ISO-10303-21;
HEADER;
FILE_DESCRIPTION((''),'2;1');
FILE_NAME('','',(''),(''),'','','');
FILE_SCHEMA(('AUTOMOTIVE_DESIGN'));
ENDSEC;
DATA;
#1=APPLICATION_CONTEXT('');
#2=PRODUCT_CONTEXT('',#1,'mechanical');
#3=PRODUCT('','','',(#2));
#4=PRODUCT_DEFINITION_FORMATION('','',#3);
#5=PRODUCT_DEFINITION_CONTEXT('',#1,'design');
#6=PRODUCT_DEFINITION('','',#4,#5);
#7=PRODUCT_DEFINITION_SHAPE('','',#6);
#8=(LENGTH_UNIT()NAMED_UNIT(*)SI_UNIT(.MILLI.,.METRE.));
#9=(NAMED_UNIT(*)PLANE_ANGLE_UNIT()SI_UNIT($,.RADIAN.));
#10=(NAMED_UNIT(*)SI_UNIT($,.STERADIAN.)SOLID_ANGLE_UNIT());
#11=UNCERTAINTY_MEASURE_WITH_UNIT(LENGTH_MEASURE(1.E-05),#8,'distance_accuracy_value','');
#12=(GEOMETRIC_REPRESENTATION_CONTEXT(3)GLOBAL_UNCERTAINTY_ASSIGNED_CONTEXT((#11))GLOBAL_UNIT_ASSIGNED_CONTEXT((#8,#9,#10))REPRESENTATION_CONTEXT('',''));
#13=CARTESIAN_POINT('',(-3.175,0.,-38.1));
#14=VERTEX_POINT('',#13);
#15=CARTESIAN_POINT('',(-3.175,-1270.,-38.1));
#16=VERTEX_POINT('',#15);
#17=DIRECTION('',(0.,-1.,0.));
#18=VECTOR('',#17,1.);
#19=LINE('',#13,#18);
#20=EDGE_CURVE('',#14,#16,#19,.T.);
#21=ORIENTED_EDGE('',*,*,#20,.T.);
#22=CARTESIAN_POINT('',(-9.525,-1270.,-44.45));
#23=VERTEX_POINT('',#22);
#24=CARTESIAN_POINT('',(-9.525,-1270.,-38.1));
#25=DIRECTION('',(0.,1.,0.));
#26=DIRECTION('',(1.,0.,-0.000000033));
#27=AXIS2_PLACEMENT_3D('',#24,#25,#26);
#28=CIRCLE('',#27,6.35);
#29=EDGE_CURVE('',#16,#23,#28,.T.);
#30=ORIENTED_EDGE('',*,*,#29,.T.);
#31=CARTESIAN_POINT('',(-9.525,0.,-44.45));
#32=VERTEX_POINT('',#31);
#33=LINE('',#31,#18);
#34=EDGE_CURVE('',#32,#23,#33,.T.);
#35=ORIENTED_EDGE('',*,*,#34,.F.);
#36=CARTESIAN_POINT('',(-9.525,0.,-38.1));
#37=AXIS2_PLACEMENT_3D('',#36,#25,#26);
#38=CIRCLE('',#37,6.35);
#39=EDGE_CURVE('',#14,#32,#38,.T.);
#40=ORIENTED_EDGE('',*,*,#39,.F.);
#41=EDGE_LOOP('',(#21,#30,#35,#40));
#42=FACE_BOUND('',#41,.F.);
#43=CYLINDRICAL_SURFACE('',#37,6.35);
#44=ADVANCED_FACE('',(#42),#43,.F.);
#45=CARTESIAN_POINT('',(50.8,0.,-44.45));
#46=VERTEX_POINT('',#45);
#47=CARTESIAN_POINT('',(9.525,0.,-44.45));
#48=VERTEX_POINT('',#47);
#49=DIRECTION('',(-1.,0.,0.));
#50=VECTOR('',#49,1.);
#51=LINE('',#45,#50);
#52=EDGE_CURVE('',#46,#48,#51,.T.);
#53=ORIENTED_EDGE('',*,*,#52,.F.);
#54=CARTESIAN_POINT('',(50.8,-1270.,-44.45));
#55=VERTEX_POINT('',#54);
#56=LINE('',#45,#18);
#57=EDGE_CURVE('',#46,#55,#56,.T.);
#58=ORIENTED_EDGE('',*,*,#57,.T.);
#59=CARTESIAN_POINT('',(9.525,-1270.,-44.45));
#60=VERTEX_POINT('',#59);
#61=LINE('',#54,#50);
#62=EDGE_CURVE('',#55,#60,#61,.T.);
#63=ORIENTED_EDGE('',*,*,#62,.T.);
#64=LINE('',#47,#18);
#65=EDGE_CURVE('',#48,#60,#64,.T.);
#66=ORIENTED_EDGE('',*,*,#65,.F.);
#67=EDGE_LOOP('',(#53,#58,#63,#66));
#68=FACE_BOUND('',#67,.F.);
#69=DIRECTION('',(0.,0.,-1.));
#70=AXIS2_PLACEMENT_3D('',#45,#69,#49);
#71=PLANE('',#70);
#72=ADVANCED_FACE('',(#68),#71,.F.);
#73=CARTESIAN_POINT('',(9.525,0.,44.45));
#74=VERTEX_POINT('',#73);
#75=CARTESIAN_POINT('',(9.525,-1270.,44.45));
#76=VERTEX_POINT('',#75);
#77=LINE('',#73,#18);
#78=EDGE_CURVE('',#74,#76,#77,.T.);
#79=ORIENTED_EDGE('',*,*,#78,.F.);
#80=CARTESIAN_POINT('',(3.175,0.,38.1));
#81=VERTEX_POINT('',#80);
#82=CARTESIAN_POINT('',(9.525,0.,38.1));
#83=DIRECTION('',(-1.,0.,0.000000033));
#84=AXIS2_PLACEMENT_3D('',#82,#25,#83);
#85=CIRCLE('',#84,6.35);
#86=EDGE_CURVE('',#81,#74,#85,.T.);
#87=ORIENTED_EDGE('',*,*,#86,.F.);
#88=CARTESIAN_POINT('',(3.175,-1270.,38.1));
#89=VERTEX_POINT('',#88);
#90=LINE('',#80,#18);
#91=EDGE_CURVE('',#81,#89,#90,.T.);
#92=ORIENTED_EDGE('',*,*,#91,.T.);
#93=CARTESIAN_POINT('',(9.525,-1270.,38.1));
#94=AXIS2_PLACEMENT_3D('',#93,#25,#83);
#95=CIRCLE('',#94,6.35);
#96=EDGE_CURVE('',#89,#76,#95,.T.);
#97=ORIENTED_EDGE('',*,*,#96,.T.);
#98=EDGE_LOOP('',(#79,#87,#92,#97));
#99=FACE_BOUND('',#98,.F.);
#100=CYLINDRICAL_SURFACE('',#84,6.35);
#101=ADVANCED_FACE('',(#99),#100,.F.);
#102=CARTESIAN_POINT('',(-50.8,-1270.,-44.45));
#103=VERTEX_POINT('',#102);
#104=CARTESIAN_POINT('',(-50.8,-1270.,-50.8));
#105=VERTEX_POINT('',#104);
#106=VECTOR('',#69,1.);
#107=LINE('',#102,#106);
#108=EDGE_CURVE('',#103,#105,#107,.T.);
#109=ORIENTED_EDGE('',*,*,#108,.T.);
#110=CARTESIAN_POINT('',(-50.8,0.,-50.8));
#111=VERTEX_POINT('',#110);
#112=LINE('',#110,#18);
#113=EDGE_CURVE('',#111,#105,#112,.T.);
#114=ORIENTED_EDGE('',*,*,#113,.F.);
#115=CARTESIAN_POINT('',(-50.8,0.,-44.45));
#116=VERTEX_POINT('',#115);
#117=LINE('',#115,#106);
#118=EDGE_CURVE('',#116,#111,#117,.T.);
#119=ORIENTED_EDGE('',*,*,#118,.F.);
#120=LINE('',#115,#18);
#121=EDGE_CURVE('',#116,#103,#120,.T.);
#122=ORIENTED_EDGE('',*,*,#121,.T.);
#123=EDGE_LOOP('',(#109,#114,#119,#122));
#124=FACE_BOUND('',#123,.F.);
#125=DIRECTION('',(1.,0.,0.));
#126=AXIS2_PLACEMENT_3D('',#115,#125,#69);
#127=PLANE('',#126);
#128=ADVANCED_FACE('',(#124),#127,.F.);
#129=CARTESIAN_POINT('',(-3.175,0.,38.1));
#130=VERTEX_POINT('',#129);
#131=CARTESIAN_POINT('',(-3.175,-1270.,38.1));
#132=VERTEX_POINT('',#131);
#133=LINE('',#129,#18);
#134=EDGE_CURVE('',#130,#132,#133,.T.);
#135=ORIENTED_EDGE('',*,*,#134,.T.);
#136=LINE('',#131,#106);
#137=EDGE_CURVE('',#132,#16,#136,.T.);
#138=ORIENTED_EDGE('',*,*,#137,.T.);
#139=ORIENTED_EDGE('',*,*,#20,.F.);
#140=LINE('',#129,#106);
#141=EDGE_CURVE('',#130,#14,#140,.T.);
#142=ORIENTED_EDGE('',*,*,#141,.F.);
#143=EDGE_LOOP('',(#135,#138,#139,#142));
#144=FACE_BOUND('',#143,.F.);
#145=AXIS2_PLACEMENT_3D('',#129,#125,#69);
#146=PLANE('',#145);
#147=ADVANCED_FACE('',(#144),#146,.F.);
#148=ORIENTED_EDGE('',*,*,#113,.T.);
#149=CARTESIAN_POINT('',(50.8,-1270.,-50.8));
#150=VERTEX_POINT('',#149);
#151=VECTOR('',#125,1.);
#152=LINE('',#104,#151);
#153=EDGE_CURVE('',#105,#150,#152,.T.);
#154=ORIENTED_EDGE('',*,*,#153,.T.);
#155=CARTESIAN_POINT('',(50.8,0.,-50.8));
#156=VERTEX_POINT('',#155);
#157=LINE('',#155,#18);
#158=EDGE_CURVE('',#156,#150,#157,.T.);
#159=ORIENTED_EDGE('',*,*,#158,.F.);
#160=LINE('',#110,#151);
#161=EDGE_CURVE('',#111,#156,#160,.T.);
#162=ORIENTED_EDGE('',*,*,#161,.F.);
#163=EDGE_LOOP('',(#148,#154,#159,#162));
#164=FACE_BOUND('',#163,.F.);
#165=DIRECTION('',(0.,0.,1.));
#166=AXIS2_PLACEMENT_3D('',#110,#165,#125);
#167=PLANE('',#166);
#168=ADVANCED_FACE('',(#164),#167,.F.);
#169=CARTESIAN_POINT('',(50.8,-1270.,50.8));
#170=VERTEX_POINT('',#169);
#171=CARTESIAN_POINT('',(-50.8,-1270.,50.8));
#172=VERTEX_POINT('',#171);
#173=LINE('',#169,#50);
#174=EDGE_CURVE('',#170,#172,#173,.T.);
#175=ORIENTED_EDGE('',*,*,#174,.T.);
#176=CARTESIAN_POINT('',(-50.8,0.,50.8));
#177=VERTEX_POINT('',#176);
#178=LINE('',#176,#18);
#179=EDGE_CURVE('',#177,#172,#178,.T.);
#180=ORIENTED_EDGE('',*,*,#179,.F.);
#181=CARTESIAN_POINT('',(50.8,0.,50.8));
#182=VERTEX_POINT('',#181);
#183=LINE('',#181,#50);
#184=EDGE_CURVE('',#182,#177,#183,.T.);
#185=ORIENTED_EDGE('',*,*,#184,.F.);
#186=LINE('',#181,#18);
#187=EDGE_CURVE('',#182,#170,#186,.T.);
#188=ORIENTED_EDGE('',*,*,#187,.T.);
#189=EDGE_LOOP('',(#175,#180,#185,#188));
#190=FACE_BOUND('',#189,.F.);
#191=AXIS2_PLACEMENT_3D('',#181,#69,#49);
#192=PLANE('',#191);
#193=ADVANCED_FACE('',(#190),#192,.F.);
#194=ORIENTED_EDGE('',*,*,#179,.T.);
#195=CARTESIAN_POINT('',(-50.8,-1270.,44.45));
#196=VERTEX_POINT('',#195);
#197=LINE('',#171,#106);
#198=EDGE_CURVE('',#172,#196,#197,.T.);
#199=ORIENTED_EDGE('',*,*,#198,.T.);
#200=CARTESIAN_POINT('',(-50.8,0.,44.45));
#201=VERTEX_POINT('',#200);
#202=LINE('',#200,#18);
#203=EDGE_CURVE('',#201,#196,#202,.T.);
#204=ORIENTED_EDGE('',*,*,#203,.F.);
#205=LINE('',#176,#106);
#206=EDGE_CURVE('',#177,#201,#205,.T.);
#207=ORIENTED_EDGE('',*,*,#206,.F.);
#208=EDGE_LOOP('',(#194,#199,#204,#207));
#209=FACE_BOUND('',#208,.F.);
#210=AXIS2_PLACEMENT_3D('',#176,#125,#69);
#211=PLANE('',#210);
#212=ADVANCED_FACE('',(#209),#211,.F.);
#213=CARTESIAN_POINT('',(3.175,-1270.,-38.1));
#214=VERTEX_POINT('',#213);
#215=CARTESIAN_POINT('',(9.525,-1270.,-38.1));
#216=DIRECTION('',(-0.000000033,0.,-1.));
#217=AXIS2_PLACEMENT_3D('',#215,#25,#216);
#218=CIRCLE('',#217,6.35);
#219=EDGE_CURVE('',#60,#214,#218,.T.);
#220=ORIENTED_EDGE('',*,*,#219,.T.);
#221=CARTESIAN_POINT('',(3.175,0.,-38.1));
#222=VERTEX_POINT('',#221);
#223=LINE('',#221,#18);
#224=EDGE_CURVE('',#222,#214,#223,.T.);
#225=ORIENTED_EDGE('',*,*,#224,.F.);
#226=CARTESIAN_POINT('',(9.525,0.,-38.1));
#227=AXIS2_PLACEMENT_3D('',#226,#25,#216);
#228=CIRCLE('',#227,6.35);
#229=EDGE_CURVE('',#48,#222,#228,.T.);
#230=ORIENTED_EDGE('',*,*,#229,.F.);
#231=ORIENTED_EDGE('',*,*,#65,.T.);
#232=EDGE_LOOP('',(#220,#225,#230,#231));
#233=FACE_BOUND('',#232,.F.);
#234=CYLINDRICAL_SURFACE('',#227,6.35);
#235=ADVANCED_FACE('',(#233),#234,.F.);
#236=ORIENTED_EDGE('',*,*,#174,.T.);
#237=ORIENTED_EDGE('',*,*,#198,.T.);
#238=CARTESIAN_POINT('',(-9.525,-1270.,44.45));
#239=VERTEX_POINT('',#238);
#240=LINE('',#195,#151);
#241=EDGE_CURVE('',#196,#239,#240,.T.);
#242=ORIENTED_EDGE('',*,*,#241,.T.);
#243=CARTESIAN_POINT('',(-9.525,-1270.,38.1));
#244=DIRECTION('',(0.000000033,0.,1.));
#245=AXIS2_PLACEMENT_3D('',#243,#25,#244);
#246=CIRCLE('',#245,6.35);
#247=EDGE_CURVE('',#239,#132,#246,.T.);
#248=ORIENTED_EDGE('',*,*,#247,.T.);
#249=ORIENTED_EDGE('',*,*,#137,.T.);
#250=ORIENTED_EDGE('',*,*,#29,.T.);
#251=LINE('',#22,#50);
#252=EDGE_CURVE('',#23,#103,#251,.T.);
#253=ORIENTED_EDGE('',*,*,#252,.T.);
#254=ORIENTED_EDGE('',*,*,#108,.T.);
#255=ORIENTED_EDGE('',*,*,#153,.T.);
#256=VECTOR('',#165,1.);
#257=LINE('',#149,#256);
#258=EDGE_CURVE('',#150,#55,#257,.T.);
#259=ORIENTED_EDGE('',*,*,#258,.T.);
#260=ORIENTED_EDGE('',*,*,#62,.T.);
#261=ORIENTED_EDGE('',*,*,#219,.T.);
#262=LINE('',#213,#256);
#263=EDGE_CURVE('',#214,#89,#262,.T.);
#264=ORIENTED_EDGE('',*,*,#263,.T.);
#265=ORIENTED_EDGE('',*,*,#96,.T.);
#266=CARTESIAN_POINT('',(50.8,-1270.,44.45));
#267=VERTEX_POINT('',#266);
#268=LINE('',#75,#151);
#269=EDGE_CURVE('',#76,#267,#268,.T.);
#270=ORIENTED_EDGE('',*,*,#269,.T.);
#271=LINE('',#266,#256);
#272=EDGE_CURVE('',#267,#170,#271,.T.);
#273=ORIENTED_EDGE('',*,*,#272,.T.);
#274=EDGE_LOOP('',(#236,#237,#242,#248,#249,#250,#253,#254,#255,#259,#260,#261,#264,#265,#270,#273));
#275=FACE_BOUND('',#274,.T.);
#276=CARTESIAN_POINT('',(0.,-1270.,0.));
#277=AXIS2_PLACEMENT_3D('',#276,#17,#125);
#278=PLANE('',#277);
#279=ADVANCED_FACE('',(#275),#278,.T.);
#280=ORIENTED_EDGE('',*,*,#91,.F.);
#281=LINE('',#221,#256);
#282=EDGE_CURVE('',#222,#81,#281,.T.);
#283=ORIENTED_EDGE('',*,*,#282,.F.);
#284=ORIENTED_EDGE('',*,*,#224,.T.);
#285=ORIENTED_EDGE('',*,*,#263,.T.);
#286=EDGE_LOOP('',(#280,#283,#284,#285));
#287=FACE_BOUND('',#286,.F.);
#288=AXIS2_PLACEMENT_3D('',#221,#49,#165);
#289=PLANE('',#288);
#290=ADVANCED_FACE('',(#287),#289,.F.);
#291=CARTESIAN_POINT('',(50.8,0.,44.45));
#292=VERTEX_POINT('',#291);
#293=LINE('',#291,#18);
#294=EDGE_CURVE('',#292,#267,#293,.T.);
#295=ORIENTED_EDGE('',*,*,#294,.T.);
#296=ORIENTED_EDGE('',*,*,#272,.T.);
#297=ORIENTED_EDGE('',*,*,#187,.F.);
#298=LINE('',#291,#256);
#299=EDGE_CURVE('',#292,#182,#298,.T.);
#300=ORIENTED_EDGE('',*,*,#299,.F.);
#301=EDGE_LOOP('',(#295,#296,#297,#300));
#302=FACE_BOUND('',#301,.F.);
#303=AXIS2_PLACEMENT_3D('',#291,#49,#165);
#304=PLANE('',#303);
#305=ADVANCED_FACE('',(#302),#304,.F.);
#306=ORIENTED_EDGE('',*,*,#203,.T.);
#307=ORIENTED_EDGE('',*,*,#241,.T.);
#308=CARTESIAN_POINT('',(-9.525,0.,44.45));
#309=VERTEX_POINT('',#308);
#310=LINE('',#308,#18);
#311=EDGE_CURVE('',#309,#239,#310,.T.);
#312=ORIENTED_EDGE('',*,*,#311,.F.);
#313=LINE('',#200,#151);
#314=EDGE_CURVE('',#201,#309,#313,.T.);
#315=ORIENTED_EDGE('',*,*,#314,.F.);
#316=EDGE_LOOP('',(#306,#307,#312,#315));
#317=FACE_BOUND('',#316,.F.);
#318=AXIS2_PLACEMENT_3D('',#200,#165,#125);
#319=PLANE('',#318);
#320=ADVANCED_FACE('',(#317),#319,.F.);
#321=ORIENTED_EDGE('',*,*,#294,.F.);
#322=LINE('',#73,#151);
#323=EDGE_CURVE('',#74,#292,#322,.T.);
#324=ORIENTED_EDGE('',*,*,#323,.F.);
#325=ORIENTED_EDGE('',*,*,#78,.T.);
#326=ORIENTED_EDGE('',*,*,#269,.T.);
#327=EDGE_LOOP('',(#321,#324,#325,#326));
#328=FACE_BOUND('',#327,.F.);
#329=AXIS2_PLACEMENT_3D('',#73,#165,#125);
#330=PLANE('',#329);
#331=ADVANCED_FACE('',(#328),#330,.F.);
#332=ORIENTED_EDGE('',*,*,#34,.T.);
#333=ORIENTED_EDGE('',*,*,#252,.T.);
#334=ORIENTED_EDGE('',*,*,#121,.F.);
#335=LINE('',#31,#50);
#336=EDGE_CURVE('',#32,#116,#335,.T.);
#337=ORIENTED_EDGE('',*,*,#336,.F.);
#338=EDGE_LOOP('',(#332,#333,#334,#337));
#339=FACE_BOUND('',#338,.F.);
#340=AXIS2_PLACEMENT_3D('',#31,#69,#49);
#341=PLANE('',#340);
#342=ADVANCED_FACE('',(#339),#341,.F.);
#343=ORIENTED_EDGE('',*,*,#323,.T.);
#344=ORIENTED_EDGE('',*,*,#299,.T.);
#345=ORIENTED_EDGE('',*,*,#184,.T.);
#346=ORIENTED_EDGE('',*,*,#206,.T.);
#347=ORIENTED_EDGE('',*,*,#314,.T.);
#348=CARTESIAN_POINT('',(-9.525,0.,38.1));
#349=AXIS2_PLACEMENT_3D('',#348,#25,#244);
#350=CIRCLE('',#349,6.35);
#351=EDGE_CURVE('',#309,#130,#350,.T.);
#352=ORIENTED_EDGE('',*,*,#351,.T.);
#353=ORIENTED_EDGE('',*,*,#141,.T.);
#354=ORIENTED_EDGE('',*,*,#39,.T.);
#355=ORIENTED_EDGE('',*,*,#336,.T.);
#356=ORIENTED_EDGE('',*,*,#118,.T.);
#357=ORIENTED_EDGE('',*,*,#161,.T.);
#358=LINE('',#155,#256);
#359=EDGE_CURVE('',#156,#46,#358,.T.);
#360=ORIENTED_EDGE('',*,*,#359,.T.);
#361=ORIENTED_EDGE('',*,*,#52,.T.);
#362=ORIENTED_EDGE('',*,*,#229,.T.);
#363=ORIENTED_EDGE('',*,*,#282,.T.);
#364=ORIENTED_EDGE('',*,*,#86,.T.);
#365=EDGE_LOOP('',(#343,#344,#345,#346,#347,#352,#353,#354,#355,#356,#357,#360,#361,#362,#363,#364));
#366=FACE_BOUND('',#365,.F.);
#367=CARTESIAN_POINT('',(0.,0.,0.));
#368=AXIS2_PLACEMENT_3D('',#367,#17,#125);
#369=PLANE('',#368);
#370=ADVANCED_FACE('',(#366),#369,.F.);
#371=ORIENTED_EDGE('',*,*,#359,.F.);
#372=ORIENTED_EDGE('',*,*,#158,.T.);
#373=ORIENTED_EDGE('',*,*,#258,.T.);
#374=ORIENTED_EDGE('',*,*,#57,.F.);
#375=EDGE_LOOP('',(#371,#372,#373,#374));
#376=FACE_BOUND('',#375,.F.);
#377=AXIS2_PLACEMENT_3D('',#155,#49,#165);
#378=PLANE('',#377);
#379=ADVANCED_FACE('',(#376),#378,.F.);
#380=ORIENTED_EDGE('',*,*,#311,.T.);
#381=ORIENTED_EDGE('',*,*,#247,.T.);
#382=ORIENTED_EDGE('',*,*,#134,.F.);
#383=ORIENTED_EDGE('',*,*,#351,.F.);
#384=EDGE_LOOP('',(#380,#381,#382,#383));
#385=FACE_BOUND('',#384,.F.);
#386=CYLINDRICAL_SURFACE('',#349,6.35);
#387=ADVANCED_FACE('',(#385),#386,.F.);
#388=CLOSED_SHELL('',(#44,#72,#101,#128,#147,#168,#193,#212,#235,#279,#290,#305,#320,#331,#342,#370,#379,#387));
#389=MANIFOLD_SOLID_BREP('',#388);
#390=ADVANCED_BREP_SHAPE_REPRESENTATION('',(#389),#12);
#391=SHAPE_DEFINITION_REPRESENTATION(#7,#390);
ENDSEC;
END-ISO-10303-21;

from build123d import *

# Parameters (mm, degrees)
F1_DEPTH = 1270


with BuildPart() as f1:
    # F0 (on Front) → F1 (new body)
    with BuildSketch(Plane.XZ):
        with BuildLine():
            Line((50.8, 50.8), (0, 50.8))
            Line((0, 50.8), (-50.8, 50.8))
            Line((-50.8, 50.8), (-50.8, 44.45))
            Line((-50.8, 44.45), (-9.525, 44.45))
            ThreePointArc((-9.525, 44.45), (-5.034872, 42.590128), (-3.175, 38.1))
            Line((-3.175, 38.1), (-3.175, 0))
            Line((-3.175, 0), (-3.175, -38.1))
            ThreePointArc((-3.175, -38.1), (-5.034872, -42.590128), (-9.525, -44.45))
            Line((-9.525, -44.45), (-50.8, -44.45))
            Line((-50.8, -44.45), (-50.8, -50.8))
            Line((-50.8, -50.8), (0, -50.8))
            Line((0, -50.8), (50.8, -50.8))
            Line((50.8, -50.8), (50.8, -44.45))
            Line((50.8, -44.45), (9.525, -44.45))
            ThreePointArc((9.525, -44.45), (5.034872, -42.590128), (3.175, -38.1))
            Line((3.175, -38.1), (3.175, 0))
            Line((3.175, 0), (3.175, 38.1))
            ThreePointArc((3.175, 38.1), (5.034872, 42.590128), (9.525, 44.45))
            Line((9.525, 44.45), (50.8, 44.45))
            Line((50.8, 44.45), (50.8, 50.8))
        make_face()
    extrude(amount=F1_DEPTH)


solid = f1.part
